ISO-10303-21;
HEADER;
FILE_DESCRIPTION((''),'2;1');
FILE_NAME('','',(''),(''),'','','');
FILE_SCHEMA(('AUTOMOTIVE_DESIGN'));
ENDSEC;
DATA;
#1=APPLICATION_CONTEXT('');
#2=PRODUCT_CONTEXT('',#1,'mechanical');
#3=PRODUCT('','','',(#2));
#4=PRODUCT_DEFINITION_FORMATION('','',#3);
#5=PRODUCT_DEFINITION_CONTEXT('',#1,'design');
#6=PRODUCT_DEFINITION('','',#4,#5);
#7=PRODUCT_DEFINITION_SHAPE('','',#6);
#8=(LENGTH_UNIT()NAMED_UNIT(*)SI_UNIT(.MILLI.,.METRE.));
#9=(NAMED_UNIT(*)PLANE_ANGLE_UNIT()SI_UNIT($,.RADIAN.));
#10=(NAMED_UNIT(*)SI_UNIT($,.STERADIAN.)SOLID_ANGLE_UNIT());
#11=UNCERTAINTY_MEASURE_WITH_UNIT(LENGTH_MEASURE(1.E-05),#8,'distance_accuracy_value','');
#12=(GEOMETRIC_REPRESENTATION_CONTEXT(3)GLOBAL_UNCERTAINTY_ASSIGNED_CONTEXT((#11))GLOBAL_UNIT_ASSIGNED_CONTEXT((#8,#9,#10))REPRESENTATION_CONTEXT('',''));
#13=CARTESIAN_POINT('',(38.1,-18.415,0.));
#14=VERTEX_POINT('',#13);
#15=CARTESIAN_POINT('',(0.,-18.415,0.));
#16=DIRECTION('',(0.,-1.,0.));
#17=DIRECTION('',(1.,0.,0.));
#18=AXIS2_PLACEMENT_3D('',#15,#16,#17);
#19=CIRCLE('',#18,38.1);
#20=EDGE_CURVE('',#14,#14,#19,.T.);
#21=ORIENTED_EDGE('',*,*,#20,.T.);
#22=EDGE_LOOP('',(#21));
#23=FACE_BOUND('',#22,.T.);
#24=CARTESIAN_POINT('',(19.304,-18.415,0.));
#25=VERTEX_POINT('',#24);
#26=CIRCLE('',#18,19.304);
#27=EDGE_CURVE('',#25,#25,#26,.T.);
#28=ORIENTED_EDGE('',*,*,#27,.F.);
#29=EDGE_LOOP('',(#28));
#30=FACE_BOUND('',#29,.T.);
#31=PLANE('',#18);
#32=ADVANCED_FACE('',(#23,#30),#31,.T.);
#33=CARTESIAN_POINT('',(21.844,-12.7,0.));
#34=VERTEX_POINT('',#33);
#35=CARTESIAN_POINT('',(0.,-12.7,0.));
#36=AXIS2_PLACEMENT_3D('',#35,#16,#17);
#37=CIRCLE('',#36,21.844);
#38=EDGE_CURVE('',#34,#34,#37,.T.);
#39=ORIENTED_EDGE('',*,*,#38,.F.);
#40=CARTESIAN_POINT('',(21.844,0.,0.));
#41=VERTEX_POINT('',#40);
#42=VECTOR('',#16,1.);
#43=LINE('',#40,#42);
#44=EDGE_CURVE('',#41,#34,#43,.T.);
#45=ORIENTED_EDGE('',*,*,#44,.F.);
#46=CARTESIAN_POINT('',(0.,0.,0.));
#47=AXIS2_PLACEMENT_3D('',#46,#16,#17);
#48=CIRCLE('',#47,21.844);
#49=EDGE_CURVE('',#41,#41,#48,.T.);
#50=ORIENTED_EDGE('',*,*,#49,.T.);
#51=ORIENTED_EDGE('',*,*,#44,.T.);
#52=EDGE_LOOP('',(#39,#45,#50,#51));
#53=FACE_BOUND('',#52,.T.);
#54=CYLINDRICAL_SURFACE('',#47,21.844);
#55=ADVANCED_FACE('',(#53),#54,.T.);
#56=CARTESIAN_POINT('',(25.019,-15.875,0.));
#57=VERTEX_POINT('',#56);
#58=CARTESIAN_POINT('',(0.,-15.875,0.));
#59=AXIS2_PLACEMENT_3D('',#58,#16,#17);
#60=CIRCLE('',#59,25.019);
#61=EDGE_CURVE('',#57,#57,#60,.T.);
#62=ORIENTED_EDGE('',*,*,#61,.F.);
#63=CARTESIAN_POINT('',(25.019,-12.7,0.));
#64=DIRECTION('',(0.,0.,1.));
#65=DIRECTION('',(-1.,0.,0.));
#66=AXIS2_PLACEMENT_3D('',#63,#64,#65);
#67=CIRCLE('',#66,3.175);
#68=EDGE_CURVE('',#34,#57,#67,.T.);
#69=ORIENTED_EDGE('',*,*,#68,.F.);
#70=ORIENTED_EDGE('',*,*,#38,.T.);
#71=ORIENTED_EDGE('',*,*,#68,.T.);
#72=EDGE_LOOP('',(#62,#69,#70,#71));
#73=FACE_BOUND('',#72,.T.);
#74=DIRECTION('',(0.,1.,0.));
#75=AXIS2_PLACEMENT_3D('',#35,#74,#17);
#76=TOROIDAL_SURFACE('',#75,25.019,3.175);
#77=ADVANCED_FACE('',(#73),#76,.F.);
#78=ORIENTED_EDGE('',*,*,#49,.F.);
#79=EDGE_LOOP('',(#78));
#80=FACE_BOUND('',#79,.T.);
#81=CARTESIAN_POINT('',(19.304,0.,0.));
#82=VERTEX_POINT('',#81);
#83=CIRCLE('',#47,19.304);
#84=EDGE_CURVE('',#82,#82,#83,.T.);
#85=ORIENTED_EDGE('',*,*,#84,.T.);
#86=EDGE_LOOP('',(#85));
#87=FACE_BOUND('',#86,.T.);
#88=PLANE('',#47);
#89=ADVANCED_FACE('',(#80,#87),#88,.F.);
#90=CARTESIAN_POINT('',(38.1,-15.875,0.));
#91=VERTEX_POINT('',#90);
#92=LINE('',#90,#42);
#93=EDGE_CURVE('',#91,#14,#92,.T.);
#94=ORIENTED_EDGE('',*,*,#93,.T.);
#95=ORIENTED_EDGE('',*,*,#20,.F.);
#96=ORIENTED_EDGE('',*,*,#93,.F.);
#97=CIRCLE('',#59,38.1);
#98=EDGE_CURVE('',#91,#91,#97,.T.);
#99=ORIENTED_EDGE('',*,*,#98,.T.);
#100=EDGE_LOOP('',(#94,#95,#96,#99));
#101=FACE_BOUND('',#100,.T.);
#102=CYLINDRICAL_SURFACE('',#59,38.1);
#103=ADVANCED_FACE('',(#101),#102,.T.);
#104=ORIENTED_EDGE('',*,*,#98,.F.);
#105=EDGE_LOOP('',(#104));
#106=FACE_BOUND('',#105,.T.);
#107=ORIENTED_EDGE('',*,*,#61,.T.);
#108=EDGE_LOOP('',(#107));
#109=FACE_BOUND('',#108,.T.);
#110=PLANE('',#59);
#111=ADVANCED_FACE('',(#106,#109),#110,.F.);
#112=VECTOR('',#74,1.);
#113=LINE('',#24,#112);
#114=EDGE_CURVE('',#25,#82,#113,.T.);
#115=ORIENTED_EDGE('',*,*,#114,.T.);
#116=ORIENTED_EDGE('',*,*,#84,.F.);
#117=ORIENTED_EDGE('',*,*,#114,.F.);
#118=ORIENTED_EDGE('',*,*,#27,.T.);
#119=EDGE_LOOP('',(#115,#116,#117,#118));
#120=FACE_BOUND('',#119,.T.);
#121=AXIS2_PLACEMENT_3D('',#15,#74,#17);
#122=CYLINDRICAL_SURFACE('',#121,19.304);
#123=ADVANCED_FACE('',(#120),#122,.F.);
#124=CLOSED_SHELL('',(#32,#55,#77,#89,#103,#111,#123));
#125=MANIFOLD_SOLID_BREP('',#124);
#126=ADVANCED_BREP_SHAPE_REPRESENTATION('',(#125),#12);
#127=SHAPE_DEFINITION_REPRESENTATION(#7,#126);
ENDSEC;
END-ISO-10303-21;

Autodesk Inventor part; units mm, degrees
ref_plane "YZ Plane" through (0, 0, 0) normal (1, 0, 0) x (0, 1, 0)
ref_plane "XZ Plane" through (0, 0, 0) normal (0, 1, 0) x (-1, 0, 0)
ref_plane "XY Plane" through (0, 0, 0) normal (0, 0, 1) x (1, 0, 0)
sketch "Sketch1" plane through (0, 0, 0) normal (0, 0, 1) x (1, 0, 0)
  line L0 (21.844, 0) -> (21.844, -12.7)
  line L1 (25.019, -15.875) -> (38.1, -15.875)
  line L2 (38.1, -15.875) -> (38.1, -18.415)
  line L3 (38.1, -18.415) -> (19.304, -18.415)
  line L4 (19.304, -18.415) -> (19.304, 0)
  line L5 (19.304, 0) -> (21.844, 0)
  line L6 (0, 0) -> (27.9096, 0) construction
  arc A0 (21.844, -12.7) -> (25.019, -15.875) centre (25.019, -12.7) ccw
  line L7 (0, 0) -> (0, -18.415) construction
  dimension "d0" = 19.304
  dimension "d1" = 18.415
  dimension "d2" = 2.54
  dimension "d3" = 2.54
  dimension "d5" = 3.175
  dimension "d9" = 38.1
revolve "Revolution1" add sketch "Sketch1" angle 360 about axis through (0, 0, 0) along (0, -1, 0)
sketch "Sketch2" plane through (0, 0, 0) normal (1, 0, 0) x (0, 1, 0)
  line L0 (0, 0) -> (-26.67, 0) construction
  line L1 (-13.97, -6.35) -> (0, -6.35)
  line L2 (0, -6.35) -> (0, 6.35)
  line L3 (0, 6.35) -> (-13.97, 6.35)
  line L4 (-13.97, 6.35) -> (-13.97, -6.35)
  line L5 (-13.97, -6.35) -> (0, 6.35) construction
  line L6 (0, -6.35) -> (-13.97, 6.35) construction
  line L7 (0, 19.304) -> (0, -19.304) projected
  point P0 (-6.985, 0)
  dimension "d10" = 12.7
  dimension "d11" = 13.97
  dimension "d12" = 0
properties part number "customWasherTmp"
